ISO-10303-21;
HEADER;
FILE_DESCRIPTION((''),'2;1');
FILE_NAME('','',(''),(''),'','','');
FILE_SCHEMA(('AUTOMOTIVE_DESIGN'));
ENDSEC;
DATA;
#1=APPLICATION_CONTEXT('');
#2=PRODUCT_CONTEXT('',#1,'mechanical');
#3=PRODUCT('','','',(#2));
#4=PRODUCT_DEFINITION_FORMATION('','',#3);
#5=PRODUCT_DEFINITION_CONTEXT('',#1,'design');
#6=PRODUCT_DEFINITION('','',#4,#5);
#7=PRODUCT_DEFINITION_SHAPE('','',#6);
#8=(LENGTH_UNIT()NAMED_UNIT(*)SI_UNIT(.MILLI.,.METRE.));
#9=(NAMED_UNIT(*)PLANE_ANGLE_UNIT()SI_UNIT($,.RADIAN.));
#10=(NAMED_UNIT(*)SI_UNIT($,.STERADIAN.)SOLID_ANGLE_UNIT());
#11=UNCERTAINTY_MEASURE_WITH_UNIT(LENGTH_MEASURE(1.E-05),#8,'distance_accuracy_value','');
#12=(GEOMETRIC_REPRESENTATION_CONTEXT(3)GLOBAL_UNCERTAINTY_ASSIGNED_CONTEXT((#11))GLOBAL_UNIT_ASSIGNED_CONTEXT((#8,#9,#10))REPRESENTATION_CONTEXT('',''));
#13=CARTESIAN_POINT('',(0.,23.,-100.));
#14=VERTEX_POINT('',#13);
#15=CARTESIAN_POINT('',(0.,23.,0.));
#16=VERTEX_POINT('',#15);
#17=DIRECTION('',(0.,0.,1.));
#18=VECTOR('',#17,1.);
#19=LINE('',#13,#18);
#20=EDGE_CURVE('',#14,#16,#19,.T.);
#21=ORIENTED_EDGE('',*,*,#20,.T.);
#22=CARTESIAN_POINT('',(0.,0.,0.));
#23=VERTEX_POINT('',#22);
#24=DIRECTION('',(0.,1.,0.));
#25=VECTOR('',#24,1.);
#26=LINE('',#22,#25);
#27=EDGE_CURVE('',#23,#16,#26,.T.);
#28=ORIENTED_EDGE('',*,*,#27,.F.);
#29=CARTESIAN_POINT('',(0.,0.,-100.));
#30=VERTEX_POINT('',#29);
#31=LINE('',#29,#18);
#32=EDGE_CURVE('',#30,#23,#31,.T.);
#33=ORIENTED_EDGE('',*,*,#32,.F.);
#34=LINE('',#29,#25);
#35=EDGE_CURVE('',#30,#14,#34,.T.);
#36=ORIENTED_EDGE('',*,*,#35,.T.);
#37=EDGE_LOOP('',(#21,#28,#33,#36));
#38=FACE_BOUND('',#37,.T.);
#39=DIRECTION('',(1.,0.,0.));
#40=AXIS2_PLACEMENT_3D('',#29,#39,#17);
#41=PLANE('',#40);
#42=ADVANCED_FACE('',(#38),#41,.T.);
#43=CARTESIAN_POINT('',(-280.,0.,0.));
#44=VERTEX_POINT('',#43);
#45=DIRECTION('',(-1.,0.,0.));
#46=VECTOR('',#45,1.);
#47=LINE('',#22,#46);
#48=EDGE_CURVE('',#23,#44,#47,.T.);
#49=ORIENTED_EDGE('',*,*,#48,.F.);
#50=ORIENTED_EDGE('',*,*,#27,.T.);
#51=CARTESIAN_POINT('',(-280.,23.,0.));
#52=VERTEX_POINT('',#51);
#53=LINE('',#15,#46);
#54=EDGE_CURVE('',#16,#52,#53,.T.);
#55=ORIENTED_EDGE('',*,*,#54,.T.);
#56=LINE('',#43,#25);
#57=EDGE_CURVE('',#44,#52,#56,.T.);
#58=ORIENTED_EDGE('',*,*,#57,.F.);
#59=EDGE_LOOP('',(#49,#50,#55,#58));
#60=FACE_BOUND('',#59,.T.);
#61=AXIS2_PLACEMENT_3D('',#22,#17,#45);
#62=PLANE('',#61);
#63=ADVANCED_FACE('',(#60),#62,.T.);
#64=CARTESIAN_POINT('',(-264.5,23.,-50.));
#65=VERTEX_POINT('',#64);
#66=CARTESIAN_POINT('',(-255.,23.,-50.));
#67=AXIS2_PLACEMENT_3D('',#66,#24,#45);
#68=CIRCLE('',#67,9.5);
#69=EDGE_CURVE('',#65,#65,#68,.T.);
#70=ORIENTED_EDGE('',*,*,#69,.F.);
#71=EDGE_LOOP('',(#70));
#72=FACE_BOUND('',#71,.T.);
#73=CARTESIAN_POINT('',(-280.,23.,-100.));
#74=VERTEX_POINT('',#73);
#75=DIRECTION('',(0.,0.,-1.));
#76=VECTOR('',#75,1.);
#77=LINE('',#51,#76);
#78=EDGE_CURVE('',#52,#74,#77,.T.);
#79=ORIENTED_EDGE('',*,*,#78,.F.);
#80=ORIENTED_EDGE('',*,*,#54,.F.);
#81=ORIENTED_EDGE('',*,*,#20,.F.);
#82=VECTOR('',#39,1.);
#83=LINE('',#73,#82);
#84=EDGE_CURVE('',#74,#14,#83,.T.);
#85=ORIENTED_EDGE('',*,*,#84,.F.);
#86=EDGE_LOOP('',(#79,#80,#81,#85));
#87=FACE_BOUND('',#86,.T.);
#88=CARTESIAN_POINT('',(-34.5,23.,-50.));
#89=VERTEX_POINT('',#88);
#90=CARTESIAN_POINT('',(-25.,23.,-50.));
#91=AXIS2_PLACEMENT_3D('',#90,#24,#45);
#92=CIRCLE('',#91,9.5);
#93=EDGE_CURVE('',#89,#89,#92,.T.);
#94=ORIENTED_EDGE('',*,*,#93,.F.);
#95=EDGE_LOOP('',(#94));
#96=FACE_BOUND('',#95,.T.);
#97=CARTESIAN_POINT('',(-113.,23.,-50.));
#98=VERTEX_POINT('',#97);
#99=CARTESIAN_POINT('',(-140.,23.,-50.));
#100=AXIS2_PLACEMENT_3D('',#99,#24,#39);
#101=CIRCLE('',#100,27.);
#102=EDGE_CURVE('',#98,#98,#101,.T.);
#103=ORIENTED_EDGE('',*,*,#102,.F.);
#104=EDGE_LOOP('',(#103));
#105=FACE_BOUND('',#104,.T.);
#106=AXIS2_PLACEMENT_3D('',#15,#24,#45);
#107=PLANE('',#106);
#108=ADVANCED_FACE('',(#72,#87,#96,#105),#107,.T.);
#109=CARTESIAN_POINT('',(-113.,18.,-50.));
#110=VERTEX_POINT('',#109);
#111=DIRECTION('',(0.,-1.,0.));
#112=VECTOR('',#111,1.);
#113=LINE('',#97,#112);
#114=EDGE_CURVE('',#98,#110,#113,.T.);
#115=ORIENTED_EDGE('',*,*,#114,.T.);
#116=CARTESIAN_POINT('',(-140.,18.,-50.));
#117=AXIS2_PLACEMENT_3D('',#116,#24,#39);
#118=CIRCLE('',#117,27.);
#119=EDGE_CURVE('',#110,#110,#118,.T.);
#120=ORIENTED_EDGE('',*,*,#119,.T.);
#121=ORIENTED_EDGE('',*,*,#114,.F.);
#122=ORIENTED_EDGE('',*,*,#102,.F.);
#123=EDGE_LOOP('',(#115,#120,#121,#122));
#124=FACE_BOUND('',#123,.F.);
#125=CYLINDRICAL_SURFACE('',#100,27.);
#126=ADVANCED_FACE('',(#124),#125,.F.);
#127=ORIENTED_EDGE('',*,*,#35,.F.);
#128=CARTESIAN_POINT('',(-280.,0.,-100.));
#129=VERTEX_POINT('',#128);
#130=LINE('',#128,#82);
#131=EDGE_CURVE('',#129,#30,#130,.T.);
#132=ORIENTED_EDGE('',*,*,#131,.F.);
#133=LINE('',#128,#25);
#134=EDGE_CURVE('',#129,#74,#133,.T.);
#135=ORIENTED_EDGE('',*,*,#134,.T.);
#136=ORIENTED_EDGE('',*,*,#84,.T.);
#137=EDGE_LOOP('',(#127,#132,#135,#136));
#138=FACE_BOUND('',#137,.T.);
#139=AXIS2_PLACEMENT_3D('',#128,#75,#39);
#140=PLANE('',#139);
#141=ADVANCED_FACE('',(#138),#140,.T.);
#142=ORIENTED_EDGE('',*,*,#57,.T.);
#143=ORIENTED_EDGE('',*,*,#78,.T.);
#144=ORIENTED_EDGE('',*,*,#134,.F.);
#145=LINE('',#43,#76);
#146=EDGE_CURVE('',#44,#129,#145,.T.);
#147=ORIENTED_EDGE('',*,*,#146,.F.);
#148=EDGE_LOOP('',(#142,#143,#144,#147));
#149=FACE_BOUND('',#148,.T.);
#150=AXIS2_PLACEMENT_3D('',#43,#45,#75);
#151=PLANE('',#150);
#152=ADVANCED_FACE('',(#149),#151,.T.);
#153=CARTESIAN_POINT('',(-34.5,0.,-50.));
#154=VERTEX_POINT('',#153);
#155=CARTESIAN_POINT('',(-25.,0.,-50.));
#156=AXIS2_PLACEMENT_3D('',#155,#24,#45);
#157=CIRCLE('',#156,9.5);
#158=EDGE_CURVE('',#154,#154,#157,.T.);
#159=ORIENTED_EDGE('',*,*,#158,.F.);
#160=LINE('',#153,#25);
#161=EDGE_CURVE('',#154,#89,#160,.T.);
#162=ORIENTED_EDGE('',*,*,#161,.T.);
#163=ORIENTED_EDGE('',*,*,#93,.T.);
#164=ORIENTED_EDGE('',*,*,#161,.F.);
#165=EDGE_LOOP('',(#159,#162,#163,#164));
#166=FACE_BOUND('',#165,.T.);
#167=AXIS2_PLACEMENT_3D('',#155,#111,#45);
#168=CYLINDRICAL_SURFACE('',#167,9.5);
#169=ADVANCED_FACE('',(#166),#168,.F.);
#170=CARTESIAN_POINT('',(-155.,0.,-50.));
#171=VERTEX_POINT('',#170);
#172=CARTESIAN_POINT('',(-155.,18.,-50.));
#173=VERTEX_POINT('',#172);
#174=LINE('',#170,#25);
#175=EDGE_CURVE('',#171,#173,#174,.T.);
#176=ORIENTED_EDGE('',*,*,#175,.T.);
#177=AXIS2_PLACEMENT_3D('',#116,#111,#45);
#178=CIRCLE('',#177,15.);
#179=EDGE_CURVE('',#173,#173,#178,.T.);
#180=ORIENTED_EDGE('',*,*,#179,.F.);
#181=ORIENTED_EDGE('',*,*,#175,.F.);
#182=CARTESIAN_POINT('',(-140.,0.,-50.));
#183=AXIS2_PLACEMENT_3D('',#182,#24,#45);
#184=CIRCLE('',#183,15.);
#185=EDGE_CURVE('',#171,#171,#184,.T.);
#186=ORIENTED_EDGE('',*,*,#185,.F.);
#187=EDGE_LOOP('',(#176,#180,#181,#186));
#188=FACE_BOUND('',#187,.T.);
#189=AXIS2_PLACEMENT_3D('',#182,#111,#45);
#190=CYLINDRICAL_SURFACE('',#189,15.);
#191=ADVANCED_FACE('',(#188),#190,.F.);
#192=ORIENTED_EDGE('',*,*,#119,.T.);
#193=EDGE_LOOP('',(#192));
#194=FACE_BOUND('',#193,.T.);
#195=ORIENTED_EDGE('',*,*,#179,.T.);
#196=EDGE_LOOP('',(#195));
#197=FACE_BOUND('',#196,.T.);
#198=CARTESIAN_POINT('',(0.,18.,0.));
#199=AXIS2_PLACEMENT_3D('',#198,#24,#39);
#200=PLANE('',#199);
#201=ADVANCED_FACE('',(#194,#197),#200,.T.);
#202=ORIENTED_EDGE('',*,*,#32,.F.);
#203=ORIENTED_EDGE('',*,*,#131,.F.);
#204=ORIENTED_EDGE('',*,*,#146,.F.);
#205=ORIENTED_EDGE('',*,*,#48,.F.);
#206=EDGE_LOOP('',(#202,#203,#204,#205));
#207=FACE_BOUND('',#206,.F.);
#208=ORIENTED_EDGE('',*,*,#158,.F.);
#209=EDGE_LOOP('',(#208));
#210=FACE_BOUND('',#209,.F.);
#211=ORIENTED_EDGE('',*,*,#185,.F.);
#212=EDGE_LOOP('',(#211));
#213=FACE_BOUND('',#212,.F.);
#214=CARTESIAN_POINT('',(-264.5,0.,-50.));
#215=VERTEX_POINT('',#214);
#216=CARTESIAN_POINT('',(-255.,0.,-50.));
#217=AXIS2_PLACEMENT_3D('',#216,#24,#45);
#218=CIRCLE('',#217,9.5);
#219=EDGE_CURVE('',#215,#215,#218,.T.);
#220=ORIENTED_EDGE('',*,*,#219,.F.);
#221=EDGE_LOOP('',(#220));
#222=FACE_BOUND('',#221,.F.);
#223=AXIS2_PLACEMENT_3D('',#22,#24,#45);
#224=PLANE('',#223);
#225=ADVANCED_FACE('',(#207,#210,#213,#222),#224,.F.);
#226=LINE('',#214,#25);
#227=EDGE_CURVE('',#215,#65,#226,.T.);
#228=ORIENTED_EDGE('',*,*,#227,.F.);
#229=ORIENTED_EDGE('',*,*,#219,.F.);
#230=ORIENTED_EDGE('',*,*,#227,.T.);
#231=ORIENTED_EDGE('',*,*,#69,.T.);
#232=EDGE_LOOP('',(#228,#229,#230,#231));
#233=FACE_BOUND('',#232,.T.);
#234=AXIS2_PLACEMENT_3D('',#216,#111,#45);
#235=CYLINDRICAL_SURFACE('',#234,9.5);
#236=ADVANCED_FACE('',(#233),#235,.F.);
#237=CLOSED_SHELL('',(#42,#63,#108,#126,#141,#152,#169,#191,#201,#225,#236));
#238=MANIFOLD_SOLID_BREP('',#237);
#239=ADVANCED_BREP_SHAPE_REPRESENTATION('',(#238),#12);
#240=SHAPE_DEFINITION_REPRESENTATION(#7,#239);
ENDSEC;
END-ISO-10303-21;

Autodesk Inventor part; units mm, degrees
ref_plane "YZ Plane" through (0, 0, 0) normal (1, 0, 0) x (0, 1, 0)
ref_plane "XZ Plane" through (0, 0, 0) normal (0, 1, 0) x (-1, 0, 0)
ref_plane "XY Plane" through (0, 0, 0) normal (0, 0, 1) x (1, 0, 0)
sketch "Sketch2" plane through (0, 0, 0) normal (0, 1, 0) x (-1, 0, 0)
  line L0 (0, 0) -> (280, 0)
  line L1 (280, 0) -> (280, -100)
  line L2 (280, -100) -> (0, -100)
  line L3 (0, -100) -> (0, 0)
  circle A0 centre (140, -50) radius 15
  circle A1 centre (255, -50) radius 9.5
  circle A2 centre (25, -50) radius 9.5
  dimension "d0" = 280
  dimension "d1" = 100
  dimension "d2" = 30
  dimension "d3" = 19
  dimension "d4" = 19
  dimension "d5" = 115
  dimension "d6" = 115
extrude "Extrusion2" add sketch "Sketch2" along normal blind 23
sketch "Sketch4" plane through (0, 23, 0) normal (0, 1, 0) x (1, 0, 0)
  circle A0 centre (-140, 50) radius 27
  point P0 (0, 0)
  dimension "d11" = 54
extrude "Extrusion3" cut sketch "Sketch4" against normal blind 5
sketch "Sketch5" plane through (0, 23, 0) normal (0, 1, 0) x (1, 0, 0)
  point P0 (0, 0)
properties part number "top plate"
